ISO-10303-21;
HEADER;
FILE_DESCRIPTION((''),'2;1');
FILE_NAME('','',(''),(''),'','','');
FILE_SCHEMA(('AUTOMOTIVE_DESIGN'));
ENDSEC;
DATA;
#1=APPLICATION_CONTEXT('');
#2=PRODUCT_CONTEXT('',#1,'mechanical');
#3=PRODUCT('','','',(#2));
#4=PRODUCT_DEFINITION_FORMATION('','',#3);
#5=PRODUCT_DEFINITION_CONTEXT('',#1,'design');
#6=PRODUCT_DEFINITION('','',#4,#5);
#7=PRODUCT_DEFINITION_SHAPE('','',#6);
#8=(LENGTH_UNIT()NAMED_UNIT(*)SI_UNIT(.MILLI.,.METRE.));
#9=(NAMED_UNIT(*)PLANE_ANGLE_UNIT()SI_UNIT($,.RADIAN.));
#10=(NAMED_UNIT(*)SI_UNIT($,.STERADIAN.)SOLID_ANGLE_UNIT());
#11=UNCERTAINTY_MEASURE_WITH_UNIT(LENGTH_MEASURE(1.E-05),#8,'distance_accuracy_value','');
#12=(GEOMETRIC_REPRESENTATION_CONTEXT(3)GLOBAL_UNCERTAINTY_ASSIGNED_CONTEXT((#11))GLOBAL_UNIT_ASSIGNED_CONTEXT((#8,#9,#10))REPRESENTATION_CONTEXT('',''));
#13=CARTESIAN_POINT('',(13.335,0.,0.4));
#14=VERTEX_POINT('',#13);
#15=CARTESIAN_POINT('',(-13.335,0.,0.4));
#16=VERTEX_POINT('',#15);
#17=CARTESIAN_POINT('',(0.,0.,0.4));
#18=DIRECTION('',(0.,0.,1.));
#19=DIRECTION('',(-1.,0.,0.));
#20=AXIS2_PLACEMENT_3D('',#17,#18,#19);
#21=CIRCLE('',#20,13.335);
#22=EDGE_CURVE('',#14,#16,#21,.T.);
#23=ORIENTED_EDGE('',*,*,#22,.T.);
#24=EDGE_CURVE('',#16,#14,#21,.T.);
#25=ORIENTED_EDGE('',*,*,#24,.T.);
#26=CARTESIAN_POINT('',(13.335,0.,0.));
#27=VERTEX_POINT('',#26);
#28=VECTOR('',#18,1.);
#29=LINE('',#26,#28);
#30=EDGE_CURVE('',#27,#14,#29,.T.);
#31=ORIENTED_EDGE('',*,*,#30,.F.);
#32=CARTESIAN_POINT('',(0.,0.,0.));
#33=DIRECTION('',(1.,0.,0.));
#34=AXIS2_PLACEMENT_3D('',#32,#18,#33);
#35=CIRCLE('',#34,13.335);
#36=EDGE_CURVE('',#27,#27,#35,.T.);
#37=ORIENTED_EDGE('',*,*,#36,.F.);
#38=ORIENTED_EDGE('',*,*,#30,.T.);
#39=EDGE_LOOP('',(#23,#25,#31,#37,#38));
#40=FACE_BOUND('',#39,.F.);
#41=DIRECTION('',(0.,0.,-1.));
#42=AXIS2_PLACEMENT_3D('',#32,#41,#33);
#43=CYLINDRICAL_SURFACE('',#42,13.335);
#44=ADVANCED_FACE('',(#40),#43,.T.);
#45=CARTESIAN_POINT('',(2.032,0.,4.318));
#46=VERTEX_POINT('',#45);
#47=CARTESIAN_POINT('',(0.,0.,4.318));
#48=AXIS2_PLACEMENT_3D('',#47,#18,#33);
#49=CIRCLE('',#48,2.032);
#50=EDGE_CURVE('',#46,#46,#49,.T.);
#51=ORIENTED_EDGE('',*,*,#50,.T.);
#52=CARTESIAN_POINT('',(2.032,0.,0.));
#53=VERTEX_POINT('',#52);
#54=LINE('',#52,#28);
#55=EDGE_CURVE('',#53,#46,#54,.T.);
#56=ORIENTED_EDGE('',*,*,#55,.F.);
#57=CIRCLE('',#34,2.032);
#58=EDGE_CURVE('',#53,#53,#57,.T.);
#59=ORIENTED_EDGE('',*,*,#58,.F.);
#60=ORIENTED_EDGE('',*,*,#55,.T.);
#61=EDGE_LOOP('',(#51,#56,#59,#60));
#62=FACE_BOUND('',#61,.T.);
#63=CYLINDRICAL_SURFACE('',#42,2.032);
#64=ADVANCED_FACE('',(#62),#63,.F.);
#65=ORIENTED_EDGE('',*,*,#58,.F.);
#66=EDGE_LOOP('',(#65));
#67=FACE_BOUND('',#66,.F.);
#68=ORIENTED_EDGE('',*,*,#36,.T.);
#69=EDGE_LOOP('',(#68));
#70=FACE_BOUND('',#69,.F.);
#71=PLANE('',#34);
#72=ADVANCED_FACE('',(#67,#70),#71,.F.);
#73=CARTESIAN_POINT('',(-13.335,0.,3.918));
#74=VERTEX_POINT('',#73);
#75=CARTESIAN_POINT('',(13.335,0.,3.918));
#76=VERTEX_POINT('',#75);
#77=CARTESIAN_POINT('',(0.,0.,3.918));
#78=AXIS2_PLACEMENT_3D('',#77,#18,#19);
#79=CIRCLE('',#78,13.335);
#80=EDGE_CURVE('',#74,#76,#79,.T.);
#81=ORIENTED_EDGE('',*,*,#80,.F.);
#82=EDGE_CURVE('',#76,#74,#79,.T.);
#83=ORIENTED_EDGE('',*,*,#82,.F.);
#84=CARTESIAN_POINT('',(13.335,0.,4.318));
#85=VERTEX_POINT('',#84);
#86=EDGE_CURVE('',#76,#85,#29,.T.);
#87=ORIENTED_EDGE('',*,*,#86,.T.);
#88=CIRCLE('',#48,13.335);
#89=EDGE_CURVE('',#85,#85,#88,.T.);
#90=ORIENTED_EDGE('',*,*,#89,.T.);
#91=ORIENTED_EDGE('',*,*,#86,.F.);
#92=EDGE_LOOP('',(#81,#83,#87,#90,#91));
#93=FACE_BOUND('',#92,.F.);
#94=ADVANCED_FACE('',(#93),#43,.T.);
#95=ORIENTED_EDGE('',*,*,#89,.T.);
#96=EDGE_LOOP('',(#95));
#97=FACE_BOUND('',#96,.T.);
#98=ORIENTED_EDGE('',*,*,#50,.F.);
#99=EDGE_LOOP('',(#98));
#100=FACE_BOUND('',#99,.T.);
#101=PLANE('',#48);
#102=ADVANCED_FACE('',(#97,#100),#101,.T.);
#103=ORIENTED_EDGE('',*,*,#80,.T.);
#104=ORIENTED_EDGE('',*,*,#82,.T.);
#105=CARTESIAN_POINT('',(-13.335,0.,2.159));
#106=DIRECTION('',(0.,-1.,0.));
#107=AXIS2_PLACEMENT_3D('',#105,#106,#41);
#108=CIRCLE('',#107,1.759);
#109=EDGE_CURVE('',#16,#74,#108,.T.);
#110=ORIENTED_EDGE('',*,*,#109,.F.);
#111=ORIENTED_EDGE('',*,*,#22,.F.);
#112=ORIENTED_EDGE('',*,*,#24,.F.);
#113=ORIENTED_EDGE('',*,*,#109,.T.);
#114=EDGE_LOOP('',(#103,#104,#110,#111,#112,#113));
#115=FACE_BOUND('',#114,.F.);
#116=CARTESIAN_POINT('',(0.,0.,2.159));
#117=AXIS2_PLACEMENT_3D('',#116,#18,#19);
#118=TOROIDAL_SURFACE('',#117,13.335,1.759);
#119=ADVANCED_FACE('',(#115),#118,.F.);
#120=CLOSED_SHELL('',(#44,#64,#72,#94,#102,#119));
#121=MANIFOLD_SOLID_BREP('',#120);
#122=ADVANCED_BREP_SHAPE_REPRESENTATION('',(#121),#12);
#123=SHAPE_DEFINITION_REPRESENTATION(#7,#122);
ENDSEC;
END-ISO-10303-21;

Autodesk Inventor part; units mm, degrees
ref_plane "YZ Plane" through (0, 0, 0) normal (1, 0, 0) x (0, 1, 0)
ref_plane "XZ Plane" through (0, 0, 0) normal (0, 1, 0) x (-1, 0, 0)
ref_plane "XY Plane" through (0, 0, 0) normal (0, 0, 1) x (1, 0, 0)
sketch "Sketch1" plane through (0, 0, 0) normal (0, 0, 1) x (1, 0, 0)
  circle A0 centre (0, 0) radius 2.032
  circle A1 centre (0, 0) radius 13.335
  dimension "d0" = 4.064
  dimension "d1" = 26.67
extrude "Extrusion1" add sketch "Sketch1" along normal blind 4.318
sketch "Sketch2" plane through (0, 0, 0) normal (0, 1, 0) x (-1, 0, 0)
  line L0 (13.335, 0) -> (13.335, 4.318) projected
  line L1 (13.335, 4.318) -> (-13.335, 4.318) projected
  line L2 (-13.335, 0) -> (13.335, 0) projected
  line L3 (13.335, 4.318) -> (11.6377, 2.6207)
  line L4 (13.335, 4.318) -> (14.8463, 4.318) construction
  line L5 (13.335, 0) -> (11.6377, 2.6207)
  arc A0 (13.335, 3.918) -> (13.335, 0.4) centre (13.335, 2.159) ccw
  line L6 (0, -0.8636) -> (0, 5.1816) projected
  point P0 (0, 0)
  dimension "d4" = 135
  dimension "d5" = 0.4
  dimension "d6" = 0.4
revolve "Revolution1" cut sketch "Sketch2" angle 360 about axis through (0, 0, -10) along (0, 0, 1) contours A0 L5 L3 L0 | A0 L5 | A0 L3
properties part number "CarAxelGear"
